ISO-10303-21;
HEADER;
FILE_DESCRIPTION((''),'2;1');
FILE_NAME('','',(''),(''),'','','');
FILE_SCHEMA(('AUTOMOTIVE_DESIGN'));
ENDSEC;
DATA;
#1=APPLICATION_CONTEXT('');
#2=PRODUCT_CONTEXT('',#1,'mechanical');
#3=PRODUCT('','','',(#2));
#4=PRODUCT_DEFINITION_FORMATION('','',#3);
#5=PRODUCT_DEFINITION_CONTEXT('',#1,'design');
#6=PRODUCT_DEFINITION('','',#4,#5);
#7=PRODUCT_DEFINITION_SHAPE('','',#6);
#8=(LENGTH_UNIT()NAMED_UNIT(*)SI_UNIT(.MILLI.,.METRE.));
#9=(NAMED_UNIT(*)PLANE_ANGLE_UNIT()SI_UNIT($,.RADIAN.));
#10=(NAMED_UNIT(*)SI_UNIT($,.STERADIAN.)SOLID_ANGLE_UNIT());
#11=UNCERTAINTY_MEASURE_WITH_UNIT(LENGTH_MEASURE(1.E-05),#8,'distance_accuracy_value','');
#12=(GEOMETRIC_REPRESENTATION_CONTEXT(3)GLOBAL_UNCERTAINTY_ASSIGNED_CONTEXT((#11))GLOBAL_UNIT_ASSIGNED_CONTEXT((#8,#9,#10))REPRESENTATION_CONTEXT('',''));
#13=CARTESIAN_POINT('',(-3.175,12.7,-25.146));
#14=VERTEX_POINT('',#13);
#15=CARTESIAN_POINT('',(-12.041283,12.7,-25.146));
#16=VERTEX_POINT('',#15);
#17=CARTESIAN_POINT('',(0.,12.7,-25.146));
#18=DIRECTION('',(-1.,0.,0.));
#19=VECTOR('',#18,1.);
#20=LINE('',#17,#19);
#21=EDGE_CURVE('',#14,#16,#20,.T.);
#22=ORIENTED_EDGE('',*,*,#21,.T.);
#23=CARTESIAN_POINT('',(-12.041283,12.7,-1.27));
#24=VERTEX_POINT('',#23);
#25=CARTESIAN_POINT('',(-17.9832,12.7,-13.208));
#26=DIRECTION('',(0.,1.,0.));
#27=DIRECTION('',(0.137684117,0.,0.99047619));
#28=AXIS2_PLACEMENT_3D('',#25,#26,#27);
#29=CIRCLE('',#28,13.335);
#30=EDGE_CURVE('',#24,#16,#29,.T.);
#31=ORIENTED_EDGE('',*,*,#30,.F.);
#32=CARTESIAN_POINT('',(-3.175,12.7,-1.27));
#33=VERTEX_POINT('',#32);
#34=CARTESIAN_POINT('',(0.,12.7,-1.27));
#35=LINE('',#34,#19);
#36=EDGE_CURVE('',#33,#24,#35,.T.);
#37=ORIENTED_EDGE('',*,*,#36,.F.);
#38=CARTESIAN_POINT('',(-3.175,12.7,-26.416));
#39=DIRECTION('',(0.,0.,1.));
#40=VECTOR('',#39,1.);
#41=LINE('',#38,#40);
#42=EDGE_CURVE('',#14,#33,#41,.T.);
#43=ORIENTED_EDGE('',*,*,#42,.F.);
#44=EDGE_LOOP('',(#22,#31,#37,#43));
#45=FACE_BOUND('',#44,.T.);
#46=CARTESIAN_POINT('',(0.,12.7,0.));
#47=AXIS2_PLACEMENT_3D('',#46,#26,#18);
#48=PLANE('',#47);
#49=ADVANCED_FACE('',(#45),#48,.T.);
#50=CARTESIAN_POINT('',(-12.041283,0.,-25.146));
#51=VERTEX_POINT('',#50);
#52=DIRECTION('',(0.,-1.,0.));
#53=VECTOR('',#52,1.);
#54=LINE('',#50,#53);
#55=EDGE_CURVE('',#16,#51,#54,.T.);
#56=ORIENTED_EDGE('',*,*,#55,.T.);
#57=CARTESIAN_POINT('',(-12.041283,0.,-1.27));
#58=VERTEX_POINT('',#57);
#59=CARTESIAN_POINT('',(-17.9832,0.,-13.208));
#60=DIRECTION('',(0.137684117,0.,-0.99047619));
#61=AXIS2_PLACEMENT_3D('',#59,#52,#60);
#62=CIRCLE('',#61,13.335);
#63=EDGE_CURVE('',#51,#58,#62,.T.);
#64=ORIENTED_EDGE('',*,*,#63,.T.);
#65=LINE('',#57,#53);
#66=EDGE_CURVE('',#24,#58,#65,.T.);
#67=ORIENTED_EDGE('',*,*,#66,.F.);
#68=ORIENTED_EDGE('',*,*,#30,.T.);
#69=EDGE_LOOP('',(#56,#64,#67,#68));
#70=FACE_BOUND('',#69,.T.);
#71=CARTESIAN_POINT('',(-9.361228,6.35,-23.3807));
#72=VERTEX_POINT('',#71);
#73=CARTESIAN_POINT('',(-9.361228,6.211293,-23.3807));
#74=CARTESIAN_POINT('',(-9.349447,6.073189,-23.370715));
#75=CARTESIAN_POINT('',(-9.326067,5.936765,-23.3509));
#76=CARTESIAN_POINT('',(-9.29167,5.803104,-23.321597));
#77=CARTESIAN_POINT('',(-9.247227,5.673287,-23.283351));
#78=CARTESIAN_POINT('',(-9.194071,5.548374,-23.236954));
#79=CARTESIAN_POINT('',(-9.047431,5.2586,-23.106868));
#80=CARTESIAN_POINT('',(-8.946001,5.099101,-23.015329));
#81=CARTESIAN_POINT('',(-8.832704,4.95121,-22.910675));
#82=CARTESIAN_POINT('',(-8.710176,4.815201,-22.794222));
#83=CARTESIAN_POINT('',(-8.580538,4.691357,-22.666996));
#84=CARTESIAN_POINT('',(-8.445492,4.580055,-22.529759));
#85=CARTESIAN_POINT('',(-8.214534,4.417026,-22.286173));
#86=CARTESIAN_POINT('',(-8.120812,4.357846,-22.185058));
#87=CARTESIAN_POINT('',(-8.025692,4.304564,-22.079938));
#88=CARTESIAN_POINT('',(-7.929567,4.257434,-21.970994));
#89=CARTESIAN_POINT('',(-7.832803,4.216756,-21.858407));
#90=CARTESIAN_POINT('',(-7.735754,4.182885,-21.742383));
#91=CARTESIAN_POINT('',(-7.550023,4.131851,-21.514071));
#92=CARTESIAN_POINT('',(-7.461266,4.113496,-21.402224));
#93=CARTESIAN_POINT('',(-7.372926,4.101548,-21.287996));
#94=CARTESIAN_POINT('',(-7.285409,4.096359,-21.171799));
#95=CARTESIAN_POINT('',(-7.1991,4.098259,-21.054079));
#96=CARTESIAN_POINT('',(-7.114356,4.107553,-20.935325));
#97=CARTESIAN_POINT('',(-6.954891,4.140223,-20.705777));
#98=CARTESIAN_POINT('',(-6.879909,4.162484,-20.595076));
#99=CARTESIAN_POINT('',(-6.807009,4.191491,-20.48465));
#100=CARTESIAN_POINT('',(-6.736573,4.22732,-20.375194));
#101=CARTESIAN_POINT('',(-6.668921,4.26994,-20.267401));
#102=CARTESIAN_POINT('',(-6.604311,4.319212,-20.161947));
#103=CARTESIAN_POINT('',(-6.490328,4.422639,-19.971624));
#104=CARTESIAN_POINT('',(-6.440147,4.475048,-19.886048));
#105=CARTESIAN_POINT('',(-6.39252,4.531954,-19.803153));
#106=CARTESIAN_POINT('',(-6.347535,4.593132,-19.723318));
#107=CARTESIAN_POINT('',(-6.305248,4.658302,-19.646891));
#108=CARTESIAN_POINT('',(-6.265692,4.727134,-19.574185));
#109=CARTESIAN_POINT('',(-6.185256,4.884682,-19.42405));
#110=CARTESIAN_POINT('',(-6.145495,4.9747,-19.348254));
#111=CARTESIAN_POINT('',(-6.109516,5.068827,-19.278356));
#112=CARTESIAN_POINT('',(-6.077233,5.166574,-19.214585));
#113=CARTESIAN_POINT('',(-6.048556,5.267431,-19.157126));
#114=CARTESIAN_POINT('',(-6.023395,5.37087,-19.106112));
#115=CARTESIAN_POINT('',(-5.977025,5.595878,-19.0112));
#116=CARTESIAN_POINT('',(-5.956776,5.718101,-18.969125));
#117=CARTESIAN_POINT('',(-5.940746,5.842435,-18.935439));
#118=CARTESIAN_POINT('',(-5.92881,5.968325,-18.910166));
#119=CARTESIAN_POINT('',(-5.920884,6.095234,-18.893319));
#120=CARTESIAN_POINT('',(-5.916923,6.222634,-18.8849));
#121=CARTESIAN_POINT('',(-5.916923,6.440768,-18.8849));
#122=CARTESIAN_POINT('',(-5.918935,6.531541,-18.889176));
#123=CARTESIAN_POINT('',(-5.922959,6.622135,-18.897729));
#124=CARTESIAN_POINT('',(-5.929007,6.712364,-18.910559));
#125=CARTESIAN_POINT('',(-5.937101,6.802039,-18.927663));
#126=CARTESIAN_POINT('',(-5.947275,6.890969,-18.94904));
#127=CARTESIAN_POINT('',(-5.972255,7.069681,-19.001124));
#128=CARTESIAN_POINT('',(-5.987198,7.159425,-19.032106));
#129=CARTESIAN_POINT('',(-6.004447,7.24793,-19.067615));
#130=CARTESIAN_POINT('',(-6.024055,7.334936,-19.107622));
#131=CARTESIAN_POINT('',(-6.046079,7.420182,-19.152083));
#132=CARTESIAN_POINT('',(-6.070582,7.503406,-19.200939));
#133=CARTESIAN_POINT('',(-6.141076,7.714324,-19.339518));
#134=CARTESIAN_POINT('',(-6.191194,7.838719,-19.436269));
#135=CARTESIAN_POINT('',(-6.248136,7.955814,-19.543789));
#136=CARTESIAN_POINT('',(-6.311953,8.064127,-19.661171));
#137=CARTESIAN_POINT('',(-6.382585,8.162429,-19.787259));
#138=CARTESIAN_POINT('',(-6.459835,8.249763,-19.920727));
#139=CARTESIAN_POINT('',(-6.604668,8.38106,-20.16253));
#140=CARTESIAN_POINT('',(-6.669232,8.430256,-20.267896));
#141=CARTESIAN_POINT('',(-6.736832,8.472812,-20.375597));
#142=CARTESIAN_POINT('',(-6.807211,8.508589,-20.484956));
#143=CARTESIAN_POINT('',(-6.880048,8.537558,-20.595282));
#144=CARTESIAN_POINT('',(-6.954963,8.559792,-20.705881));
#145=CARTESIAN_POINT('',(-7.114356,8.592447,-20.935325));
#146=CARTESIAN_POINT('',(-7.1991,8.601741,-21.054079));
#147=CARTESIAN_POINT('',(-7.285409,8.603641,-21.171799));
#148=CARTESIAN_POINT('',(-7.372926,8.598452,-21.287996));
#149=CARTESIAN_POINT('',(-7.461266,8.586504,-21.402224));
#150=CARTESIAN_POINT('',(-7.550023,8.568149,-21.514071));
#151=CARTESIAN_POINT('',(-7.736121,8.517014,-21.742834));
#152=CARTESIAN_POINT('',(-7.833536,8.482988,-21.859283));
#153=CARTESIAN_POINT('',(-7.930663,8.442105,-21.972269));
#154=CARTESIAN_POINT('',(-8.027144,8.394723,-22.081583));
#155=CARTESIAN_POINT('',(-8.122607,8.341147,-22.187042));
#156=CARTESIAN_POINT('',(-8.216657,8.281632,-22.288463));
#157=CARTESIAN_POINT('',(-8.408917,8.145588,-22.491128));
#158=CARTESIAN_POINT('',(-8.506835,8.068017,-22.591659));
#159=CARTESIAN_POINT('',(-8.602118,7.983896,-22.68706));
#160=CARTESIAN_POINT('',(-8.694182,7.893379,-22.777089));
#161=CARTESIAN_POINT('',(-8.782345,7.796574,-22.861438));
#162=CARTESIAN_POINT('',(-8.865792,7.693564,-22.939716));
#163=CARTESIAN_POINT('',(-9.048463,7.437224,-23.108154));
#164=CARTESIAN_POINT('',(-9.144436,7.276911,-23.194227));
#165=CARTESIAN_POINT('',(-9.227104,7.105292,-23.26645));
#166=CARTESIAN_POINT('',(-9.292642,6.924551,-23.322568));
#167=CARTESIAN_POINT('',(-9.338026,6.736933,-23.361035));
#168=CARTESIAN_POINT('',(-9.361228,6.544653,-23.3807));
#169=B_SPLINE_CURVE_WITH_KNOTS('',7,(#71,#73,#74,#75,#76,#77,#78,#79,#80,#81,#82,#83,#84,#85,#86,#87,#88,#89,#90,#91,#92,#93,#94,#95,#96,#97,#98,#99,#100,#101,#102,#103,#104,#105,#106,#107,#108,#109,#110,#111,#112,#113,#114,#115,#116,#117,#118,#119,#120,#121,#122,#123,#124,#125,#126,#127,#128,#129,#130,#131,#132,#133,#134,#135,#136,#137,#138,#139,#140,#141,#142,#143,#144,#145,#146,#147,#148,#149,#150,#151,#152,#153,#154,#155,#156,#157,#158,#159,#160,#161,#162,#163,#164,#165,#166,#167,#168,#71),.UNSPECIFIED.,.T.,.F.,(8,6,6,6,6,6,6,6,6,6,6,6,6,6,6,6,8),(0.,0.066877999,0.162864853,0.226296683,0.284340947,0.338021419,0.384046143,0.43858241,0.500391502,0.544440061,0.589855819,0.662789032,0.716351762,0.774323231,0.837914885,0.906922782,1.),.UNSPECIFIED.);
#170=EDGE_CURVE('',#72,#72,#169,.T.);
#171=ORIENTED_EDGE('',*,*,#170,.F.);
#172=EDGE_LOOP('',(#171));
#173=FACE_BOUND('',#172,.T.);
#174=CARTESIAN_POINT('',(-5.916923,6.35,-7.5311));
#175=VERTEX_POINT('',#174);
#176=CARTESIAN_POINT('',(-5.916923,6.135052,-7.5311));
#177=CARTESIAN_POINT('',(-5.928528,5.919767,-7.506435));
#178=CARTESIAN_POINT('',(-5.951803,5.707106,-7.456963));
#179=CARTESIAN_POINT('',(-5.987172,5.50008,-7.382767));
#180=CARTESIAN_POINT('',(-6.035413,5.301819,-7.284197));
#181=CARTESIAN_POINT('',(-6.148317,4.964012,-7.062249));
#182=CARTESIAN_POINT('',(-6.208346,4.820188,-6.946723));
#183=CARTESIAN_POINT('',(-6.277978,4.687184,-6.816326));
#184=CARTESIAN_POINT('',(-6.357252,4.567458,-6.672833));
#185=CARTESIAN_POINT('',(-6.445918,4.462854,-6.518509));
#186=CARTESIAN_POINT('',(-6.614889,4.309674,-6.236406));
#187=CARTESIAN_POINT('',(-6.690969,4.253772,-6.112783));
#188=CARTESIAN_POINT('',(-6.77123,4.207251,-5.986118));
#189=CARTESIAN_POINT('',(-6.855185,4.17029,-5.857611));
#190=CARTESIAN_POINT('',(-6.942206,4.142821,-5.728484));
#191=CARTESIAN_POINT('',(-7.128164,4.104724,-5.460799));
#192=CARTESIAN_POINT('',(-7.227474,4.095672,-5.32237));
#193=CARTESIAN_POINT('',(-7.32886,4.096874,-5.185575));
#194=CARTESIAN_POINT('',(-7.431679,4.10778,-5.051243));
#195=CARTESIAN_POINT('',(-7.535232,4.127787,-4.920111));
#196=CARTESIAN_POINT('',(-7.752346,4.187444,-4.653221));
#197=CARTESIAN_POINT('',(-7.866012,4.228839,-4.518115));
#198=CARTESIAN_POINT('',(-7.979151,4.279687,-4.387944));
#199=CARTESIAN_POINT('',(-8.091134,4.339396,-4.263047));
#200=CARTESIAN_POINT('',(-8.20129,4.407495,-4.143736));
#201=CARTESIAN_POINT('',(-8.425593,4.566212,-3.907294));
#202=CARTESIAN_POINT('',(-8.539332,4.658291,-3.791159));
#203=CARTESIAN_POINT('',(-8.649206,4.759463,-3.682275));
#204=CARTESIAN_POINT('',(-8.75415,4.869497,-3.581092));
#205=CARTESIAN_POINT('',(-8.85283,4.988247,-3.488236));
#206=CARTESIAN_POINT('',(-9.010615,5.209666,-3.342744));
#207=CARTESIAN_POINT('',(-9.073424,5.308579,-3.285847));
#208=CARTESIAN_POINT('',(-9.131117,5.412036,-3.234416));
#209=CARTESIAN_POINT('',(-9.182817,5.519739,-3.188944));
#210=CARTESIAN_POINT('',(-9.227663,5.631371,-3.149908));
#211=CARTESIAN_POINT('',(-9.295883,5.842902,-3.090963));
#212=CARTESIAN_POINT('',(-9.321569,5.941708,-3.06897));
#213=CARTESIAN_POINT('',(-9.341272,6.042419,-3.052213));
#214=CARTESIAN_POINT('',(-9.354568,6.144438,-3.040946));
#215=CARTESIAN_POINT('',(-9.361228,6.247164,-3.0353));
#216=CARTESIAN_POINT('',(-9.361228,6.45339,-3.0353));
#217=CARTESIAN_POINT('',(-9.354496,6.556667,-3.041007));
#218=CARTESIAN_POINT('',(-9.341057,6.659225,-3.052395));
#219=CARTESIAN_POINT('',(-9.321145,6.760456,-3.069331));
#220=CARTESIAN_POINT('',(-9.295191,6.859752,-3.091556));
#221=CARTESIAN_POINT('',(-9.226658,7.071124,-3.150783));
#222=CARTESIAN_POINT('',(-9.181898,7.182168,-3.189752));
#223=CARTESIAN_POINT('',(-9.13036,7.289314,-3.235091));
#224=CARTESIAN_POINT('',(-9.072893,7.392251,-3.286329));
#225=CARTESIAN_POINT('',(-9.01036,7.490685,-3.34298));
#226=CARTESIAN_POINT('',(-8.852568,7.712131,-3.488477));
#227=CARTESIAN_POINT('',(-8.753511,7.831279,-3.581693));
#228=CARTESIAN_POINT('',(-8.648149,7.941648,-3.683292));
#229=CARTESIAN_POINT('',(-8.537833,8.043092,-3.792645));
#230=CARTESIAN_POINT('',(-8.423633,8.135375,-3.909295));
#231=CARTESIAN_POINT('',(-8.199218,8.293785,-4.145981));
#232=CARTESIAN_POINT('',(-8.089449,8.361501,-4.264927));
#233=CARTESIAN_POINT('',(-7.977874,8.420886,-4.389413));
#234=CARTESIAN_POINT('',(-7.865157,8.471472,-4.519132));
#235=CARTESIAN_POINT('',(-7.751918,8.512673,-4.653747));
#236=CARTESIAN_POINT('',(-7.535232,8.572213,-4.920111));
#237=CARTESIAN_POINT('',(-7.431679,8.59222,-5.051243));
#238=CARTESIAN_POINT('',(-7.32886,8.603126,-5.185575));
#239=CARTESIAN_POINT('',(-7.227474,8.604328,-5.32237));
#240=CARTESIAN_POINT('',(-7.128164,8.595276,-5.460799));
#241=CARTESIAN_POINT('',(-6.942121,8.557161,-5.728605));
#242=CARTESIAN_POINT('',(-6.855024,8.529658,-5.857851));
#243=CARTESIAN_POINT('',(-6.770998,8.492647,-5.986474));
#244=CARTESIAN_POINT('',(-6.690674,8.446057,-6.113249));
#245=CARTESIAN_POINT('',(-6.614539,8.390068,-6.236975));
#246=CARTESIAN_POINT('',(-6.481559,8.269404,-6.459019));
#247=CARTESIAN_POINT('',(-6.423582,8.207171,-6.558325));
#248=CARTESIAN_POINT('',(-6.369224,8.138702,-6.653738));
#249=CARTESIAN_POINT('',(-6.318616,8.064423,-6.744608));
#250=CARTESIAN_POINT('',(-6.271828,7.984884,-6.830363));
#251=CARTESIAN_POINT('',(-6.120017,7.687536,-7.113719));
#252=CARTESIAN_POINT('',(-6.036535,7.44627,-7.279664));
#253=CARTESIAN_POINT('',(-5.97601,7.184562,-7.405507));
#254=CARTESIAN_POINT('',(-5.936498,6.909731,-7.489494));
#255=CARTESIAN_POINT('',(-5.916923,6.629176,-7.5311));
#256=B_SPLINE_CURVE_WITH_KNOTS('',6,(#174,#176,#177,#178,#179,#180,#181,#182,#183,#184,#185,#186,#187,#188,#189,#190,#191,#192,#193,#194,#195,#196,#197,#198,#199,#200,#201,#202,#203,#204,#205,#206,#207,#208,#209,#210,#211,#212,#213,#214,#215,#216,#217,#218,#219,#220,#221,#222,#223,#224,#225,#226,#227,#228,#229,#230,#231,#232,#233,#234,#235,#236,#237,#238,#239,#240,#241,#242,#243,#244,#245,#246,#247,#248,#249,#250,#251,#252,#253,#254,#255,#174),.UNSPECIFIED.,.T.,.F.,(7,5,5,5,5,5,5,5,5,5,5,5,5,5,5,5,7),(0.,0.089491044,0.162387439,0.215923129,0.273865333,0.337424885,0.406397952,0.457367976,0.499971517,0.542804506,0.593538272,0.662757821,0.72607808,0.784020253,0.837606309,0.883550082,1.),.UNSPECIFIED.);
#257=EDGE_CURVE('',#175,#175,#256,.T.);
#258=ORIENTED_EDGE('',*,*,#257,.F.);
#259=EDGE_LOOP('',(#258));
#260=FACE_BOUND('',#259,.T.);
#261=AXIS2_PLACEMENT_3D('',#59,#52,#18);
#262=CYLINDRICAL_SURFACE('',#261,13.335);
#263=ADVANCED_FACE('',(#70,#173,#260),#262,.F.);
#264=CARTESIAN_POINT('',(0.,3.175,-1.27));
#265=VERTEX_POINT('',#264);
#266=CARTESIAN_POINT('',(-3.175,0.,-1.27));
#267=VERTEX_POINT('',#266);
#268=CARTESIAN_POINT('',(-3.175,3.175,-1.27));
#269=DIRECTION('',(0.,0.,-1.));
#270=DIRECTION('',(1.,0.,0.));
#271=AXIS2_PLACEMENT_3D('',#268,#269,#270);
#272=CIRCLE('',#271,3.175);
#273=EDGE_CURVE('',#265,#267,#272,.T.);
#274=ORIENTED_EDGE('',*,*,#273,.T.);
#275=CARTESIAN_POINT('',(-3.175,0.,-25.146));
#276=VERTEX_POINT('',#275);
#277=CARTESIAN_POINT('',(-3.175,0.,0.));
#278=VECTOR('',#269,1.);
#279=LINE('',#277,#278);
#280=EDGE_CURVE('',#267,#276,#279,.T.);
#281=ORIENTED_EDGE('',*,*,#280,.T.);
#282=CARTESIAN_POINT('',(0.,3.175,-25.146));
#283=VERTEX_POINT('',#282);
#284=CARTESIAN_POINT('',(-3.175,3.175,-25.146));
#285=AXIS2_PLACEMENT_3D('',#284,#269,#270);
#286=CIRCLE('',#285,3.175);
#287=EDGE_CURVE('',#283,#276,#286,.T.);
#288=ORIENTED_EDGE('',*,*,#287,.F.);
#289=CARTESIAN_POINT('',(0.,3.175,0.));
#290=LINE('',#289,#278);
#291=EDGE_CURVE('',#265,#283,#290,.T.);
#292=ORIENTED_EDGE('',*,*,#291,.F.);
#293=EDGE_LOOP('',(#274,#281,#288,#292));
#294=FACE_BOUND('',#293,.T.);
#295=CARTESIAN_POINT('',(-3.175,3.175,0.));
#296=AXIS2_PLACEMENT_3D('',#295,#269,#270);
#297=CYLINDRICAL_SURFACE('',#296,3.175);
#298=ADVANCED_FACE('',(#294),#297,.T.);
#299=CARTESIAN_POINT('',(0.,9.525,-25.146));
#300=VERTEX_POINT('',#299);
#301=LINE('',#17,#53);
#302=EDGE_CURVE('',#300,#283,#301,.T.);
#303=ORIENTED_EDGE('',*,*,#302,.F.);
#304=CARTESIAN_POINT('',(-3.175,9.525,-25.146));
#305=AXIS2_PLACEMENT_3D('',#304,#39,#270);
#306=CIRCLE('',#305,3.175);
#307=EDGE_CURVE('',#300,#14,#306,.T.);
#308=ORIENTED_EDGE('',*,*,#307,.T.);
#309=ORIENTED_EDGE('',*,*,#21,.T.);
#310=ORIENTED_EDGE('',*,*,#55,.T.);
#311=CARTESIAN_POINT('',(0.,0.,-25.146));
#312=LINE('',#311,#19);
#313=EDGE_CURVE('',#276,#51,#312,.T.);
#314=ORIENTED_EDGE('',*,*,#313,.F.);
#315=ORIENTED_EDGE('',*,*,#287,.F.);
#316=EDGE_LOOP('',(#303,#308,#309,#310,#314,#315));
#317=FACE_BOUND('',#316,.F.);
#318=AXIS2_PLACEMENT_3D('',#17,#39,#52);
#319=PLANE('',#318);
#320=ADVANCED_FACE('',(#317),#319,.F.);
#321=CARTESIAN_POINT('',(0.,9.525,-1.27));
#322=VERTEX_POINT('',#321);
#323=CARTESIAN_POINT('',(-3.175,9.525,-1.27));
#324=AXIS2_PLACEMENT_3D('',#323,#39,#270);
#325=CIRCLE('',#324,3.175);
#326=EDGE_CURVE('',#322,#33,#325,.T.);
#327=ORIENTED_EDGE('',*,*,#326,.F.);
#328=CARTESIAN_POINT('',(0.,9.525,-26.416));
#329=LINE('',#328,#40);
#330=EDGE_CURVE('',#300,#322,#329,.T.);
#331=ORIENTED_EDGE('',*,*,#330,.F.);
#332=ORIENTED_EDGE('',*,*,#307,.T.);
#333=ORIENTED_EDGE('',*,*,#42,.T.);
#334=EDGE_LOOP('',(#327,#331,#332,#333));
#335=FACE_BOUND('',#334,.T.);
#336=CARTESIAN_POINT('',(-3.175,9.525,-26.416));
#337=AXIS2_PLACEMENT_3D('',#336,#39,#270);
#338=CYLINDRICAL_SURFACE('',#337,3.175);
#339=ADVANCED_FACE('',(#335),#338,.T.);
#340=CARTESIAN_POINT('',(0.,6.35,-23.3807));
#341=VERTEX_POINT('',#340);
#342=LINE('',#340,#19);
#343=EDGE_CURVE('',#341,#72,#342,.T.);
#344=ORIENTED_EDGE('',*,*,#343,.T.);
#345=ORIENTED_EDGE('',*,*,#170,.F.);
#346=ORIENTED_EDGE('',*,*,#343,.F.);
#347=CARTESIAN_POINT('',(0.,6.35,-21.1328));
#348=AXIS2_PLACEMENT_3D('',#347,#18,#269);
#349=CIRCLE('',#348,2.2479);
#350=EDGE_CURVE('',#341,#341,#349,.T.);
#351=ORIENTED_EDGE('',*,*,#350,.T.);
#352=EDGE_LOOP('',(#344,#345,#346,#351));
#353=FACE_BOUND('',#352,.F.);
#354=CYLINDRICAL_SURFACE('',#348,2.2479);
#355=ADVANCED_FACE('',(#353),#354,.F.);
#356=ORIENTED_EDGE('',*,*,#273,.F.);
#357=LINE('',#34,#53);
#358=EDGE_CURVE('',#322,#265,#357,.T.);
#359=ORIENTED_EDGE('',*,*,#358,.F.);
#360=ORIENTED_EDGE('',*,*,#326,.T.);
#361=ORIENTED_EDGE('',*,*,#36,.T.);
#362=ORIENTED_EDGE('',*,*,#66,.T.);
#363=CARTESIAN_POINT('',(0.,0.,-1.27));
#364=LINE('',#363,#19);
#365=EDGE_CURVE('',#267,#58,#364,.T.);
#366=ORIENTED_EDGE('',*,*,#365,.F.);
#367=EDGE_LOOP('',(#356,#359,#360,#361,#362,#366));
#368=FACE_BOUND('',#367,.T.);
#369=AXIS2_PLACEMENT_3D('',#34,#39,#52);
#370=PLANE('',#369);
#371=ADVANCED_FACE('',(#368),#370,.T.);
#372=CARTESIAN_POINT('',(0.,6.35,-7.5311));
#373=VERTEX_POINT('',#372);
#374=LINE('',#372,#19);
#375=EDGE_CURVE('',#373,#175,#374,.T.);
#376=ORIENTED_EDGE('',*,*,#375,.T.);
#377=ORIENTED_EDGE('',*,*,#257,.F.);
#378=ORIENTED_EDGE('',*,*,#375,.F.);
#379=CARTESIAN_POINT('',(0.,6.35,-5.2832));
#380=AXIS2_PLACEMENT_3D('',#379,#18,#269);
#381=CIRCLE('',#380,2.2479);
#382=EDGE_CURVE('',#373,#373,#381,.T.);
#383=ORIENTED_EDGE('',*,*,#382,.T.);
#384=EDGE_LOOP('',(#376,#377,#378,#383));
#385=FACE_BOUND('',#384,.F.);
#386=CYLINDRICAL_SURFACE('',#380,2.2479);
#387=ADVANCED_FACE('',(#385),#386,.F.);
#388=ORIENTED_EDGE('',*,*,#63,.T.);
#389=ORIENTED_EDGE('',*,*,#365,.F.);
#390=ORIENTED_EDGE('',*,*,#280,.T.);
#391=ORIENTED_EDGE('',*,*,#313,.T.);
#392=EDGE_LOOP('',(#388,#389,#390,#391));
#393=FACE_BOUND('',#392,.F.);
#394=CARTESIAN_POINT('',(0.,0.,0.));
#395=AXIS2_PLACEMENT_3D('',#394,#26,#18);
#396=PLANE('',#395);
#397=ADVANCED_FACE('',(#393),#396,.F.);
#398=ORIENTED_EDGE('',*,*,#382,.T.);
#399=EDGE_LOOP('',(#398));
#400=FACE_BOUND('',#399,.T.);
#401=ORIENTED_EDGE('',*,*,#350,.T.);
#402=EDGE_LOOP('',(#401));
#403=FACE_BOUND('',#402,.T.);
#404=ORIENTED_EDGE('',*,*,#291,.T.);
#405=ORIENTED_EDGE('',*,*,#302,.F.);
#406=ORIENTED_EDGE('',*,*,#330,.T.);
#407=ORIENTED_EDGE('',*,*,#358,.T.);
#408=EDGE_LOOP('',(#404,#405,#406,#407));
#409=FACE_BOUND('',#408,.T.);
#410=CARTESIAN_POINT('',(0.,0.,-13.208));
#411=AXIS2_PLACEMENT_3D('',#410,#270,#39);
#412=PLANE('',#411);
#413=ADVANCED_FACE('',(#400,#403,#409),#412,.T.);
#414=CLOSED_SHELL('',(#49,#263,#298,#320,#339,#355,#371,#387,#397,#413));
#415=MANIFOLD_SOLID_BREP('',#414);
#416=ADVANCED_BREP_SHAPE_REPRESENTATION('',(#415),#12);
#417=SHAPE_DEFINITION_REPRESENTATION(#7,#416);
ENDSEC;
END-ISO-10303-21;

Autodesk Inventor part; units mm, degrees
ref_plane "YZ Plane" through (0, 0, 0) normal (1, 0, 0) x (0, 1, 0)
ref_plane "XZ Plane" through (0, 0, 0) normal (0, 1, 0) x (-1, 0, 0)
ref_plane "XY Plane" through (0, 0, 0) normal (0, 0, 1) x (1, 0, 0)
sketch "Sketch1" plane through (0, 0, 0) normal (0, 1, 0) x (-1, 0, 0)
  line L0 (0, 0) -> (26.416, 0)
  line L1 (26.416, 0) -> (26.416, -26.416)
  line L2 (26.416, -26.416) -> (0, -26.416)
  line L3 (0, -26.416) -> (0, 0)
  line L4 (0, -13.208) -> (17.9832, -13.208)
  line L5 (0, -13.208) -> (17.9832, -13.208) construction
  circle A0 centre (17.9832, -13.208) radius 13.335
  point P0 (16.1472, 0)
  point P1 (16.1472, -26.416)
  dimension "d0" = 26.416
  dimension "d1" = 26.416
  dimension "d2" = 17.9832
  dimension "d3" = 0
  dimension "d4" = 26.67
extrude "Extrusion1" add sketch "Sketch1" along normal blind 12.7 contours L0 A0 L4 L3 | L4 A0 L2 L3
sketch "Sketch2" plane through (0, 0, 0) normal (1, 0, 0) x (0, 0, -1)
  line L0 (0, 12.7) -> (26.416, 12.7) projected
  line L1 (13.208, 12.7) -> (13.208, 6.35)
  line L2 (13.208, 12.7) -> (19.558, 12.7) construction
  line L3 (13.208, 6.35) -> (21.1328, 6.35)
  line L4 (13.208, 6.35) -> (21.1328, 6.35) construction
  line L5 (13.208, 6.35) -> (5.2832, 6.35)
  line L6 (13.208, 6.35) -> (21.1328, 6.35) construction
  point P0 (0, 0)
  dimension "d7" = 6.35
  dimension "d8" = 90
  dimension "d9" = 7.9248
  dimension "d10" = 0
  dimension "d11" = 7.9248
  dimension "d12" = 180
hole "Hole1" at (0, 6.35, -5.2832) at (0, 6.35, -21.1328) direction (-1, 0, 0) diameter 4.4958 depth 35 clearance for "Flat Head Machine Screw (82)" size "#8" standard "Ansi Unified Screw Threads"
fillet "Fillet1" radius 3.175 2 edges at (0, 12.7, -13.208) (0, 0, -13.208)
sketch "Sketch3" plane through (0, 3.175, -26.416) normal (1, 0, 0) x (0, 0, -1)
  line L0 (-26.416, 9.525) -> (0, 9.525) projected
  line L1 (-26.416, -3.175) -> (0, -3.175) projected
  line L2 (-26.416, 9.525) -> (-25.146, 9.525)
  line L3 (-25.146, 9.525) -> (-25.146, -3.175)
  line L4 (-25.146, -3.175) -> (-26.416, -3.175)
  line L5 (-26.416, -3.175) -> (-26.416, 9.525)
  line L6 (0, -3.175) -> (0, 9.525) projected
  line L7 (0, 9.525) -> (-1.27, 9.525)
  line L8 (-1.27, 9.525) -> (-1.27, -3.175)
  line L9 (-1.27, -3.175) -> (0, -3.175)
  line L10 (0, -3.175) -> (0, 9.525)
  point P0 (-1.27, 9.525)
  point P1 (-1.27, -3.175)
  dimension "d21" = 1.27
  dimension "d22" = 1.27
extrude "Extrusion2" cut sketch "Sketch3" against normal blind 25.4 contours L0 L3 L1 L5 | L0 L6 L1 L8
properties part number "CatchHolderNut"
